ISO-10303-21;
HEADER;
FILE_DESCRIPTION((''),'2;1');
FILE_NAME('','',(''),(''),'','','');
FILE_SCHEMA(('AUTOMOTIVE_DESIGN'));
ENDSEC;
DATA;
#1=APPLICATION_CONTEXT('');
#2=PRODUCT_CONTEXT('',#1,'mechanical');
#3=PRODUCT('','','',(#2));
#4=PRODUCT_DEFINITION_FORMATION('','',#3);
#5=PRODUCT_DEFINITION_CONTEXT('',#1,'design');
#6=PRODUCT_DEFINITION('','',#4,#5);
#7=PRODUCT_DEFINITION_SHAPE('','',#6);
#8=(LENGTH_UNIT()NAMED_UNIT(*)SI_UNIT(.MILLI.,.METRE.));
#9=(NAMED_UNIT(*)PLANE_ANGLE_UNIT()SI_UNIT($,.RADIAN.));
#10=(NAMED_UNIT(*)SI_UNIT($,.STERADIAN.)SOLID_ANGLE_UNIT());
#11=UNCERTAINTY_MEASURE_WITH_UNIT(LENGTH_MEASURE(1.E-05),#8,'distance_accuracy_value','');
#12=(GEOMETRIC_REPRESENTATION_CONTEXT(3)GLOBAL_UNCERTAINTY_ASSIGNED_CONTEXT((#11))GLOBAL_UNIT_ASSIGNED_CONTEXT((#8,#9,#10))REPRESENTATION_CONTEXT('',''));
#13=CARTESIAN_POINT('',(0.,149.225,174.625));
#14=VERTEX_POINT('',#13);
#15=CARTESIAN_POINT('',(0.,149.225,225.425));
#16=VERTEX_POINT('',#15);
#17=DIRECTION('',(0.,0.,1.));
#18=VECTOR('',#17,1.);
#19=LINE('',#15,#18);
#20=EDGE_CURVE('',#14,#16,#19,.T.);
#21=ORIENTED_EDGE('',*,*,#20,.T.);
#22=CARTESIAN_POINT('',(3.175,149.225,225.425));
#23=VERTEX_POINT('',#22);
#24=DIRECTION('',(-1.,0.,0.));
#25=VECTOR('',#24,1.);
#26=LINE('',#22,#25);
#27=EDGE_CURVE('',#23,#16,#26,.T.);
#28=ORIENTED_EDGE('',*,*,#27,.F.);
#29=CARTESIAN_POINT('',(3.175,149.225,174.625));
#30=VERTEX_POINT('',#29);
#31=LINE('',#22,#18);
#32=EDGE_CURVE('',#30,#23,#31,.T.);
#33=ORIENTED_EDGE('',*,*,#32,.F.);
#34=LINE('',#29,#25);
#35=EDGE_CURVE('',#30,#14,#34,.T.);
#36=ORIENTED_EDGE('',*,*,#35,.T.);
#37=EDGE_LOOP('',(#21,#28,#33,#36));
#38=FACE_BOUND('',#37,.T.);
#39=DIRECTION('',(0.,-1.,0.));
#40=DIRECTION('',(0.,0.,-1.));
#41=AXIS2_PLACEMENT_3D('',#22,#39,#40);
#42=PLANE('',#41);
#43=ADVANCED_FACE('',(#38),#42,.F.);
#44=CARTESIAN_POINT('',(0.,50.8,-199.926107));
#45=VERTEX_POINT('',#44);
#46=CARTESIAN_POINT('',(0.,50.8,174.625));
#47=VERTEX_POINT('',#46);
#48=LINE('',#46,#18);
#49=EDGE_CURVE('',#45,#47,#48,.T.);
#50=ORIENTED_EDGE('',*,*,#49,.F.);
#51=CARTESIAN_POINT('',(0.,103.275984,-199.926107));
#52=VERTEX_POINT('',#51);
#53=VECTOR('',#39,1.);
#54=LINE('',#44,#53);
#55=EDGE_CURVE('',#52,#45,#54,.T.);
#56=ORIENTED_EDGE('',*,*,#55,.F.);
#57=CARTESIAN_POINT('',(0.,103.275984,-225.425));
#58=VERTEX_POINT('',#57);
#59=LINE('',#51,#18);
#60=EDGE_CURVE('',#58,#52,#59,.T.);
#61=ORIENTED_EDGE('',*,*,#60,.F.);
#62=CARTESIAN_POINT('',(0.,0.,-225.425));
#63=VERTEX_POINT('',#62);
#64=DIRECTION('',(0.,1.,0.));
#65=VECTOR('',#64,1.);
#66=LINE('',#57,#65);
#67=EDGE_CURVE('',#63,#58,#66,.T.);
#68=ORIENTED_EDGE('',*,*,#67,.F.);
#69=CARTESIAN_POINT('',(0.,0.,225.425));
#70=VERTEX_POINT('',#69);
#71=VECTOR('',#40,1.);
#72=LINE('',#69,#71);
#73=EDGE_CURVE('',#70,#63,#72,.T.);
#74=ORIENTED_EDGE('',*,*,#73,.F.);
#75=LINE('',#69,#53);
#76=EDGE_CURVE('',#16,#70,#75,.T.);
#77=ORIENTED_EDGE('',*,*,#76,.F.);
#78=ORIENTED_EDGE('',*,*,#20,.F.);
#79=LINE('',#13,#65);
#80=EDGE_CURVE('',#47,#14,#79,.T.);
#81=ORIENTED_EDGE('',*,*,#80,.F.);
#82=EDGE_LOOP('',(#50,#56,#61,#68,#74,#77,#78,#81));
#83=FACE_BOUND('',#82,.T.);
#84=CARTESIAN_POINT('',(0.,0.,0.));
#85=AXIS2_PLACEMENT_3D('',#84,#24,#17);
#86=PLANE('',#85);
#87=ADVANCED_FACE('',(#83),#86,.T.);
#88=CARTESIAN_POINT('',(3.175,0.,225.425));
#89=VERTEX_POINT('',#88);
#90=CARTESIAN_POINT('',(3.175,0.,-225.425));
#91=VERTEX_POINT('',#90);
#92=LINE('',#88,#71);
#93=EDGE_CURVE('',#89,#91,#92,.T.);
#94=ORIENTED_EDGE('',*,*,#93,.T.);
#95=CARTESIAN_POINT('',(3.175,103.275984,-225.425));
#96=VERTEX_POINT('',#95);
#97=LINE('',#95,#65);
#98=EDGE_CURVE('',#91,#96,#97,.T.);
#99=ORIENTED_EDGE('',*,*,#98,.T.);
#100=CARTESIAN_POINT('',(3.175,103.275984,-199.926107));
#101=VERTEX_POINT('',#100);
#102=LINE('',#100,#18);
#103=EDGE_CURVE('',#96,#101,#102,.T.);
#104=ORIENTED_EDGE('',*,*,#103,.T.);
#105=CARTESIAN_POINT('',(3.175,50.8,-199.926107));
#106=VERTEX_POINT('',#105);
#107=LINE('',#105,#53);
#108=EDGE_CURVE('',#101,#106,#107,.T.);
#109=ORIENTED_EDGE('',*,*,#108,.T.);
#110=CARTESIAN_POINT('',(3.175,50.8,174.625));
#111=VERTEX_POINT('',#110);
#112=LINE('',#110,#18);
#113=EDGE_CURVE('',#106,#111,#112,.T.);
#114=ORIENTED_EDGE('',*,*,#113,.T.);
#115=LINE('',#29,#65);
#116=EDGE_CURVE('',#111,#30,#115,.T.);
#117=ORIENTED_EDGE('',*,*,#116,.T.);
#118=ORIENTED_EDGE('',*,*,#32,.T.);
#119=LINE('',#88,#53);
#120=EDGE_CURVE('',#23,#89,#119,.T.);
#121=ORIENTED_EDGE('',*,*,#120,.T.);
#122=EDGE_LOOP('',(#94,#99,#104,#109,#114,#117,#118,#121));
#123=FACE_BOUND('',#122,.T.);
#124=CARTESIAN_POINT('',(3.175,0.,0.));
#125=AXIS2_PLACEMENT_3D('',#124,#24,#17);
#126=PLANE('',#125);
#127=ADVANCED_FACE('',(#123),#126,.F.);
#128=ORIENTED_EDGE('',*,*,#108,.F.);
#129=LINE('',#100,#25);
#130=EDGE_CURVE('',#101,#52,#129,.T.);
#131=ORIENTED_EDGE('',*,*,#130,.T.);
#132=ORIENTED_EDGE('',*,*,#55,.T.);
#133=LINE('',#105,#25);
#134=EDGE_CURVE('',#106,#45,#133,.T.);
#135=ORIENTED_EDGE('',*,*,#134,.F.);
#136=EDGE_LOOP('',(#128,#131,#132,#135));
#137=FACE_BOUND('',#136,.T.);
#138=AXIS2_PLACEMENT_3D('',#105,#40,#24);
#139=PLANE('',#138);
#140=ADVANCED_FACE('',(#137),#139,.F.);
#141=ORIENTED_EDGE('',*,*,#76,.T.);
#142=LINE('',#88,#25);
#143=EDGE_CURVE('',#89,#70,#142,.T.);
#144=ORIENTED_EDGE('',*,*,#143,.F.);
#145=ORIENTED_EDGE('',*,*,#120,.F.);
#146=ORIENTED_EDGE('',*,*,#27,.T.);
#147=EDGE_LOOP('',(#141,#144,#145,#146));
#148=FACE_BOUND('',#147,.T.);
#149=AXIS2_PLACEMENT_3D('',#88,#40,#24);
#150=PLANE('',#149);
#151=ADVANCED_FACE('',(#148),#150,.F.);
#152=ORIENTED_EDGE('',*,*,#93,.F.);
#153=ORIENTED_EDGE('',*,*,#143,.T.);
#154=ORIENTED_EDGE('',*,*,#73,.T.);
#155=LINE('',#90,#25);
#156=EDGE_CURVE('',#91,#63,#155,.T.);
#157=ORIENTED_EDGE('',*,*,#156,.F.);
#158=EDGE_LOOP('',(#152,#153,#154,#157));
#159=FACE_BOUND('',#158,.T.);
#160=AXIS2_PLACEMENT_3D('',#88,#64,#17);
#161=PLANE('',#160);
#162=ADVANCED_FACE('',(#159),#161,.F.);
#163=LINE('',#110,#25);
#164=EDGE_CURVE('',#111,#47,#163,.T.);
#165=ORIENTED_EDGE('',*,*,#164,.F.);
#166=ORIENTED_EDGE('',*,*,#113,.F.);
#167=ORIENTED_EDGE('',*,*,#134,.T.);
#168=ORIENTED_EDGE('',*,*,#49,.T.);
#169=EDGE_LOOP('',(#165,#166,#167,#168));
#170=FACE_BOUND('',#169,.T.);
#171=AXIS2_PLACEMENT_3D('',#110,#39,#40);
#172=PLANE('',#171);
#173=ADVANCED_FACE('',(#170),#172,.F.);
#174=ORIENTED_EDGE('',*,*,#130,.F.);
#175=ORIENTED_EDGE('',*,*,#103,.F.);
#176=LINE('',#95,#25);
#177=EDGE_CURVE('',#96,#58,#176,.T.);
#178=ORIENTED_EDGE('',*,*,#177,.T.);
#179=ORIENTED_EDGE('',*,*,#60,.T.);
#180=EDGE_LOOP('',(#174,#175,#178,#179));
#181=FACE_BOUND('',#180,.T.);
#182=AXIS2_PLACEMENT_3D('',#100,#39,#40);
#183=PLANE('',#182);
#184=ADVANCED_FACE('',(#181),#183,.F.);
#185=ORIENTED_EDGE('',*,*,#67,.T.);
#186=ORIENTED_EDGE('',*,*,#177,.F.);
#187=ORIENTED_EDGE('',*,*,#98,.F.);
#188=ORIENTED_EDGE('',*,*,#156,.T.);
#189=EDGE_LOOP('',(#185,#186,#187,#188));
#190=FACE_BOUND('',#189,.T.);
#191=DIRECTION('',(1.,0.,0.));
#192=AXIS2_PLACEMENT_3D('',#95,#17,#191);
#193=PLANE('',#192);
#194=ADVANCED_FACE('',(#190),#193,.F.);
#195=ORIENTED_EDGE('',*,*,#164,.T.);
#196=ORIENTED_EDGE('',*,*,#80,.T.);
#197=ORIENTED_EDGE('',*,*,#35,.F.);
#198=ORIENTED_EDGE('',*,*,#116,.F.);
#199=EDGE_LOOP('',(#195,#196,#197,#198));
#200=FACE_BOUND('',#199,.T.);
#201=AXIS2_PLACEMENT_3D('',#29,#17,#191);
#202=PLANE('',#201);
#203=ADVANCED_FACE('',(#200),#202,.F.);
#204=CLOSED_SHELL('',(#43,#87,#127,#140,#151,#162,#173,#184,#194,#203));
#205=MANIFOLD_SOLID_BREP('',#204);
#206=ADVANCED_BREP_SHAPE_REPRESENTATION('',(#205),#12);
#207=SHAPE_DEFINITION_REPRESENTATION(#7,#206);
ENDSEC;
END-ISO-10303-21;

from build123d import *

# Parameters (mm, degrees)
BOSS_EXTRUDE1_DEPTH = 3.175


with BuildPart() as part:
    # Sketch1 → Boss-Extrude1 (new body)
    with BuildSketch(Plane(origin=(0, 0, 0), x_dir=(0, 0, -1), z_dir=(1, 0, 0))):
        Polygon((-225.425, 0), (225.425, 0), (225.425, 103.275983607), (199.926106557, 103.275983607), (199.926106557, 50.8), (-174.625, 50.8), (-174.625, 149.225), (-225.425, 149.225), align=None)
    extrude(amount=BOSS_EXTRUDE1_DEPTH)


solid = part.part
